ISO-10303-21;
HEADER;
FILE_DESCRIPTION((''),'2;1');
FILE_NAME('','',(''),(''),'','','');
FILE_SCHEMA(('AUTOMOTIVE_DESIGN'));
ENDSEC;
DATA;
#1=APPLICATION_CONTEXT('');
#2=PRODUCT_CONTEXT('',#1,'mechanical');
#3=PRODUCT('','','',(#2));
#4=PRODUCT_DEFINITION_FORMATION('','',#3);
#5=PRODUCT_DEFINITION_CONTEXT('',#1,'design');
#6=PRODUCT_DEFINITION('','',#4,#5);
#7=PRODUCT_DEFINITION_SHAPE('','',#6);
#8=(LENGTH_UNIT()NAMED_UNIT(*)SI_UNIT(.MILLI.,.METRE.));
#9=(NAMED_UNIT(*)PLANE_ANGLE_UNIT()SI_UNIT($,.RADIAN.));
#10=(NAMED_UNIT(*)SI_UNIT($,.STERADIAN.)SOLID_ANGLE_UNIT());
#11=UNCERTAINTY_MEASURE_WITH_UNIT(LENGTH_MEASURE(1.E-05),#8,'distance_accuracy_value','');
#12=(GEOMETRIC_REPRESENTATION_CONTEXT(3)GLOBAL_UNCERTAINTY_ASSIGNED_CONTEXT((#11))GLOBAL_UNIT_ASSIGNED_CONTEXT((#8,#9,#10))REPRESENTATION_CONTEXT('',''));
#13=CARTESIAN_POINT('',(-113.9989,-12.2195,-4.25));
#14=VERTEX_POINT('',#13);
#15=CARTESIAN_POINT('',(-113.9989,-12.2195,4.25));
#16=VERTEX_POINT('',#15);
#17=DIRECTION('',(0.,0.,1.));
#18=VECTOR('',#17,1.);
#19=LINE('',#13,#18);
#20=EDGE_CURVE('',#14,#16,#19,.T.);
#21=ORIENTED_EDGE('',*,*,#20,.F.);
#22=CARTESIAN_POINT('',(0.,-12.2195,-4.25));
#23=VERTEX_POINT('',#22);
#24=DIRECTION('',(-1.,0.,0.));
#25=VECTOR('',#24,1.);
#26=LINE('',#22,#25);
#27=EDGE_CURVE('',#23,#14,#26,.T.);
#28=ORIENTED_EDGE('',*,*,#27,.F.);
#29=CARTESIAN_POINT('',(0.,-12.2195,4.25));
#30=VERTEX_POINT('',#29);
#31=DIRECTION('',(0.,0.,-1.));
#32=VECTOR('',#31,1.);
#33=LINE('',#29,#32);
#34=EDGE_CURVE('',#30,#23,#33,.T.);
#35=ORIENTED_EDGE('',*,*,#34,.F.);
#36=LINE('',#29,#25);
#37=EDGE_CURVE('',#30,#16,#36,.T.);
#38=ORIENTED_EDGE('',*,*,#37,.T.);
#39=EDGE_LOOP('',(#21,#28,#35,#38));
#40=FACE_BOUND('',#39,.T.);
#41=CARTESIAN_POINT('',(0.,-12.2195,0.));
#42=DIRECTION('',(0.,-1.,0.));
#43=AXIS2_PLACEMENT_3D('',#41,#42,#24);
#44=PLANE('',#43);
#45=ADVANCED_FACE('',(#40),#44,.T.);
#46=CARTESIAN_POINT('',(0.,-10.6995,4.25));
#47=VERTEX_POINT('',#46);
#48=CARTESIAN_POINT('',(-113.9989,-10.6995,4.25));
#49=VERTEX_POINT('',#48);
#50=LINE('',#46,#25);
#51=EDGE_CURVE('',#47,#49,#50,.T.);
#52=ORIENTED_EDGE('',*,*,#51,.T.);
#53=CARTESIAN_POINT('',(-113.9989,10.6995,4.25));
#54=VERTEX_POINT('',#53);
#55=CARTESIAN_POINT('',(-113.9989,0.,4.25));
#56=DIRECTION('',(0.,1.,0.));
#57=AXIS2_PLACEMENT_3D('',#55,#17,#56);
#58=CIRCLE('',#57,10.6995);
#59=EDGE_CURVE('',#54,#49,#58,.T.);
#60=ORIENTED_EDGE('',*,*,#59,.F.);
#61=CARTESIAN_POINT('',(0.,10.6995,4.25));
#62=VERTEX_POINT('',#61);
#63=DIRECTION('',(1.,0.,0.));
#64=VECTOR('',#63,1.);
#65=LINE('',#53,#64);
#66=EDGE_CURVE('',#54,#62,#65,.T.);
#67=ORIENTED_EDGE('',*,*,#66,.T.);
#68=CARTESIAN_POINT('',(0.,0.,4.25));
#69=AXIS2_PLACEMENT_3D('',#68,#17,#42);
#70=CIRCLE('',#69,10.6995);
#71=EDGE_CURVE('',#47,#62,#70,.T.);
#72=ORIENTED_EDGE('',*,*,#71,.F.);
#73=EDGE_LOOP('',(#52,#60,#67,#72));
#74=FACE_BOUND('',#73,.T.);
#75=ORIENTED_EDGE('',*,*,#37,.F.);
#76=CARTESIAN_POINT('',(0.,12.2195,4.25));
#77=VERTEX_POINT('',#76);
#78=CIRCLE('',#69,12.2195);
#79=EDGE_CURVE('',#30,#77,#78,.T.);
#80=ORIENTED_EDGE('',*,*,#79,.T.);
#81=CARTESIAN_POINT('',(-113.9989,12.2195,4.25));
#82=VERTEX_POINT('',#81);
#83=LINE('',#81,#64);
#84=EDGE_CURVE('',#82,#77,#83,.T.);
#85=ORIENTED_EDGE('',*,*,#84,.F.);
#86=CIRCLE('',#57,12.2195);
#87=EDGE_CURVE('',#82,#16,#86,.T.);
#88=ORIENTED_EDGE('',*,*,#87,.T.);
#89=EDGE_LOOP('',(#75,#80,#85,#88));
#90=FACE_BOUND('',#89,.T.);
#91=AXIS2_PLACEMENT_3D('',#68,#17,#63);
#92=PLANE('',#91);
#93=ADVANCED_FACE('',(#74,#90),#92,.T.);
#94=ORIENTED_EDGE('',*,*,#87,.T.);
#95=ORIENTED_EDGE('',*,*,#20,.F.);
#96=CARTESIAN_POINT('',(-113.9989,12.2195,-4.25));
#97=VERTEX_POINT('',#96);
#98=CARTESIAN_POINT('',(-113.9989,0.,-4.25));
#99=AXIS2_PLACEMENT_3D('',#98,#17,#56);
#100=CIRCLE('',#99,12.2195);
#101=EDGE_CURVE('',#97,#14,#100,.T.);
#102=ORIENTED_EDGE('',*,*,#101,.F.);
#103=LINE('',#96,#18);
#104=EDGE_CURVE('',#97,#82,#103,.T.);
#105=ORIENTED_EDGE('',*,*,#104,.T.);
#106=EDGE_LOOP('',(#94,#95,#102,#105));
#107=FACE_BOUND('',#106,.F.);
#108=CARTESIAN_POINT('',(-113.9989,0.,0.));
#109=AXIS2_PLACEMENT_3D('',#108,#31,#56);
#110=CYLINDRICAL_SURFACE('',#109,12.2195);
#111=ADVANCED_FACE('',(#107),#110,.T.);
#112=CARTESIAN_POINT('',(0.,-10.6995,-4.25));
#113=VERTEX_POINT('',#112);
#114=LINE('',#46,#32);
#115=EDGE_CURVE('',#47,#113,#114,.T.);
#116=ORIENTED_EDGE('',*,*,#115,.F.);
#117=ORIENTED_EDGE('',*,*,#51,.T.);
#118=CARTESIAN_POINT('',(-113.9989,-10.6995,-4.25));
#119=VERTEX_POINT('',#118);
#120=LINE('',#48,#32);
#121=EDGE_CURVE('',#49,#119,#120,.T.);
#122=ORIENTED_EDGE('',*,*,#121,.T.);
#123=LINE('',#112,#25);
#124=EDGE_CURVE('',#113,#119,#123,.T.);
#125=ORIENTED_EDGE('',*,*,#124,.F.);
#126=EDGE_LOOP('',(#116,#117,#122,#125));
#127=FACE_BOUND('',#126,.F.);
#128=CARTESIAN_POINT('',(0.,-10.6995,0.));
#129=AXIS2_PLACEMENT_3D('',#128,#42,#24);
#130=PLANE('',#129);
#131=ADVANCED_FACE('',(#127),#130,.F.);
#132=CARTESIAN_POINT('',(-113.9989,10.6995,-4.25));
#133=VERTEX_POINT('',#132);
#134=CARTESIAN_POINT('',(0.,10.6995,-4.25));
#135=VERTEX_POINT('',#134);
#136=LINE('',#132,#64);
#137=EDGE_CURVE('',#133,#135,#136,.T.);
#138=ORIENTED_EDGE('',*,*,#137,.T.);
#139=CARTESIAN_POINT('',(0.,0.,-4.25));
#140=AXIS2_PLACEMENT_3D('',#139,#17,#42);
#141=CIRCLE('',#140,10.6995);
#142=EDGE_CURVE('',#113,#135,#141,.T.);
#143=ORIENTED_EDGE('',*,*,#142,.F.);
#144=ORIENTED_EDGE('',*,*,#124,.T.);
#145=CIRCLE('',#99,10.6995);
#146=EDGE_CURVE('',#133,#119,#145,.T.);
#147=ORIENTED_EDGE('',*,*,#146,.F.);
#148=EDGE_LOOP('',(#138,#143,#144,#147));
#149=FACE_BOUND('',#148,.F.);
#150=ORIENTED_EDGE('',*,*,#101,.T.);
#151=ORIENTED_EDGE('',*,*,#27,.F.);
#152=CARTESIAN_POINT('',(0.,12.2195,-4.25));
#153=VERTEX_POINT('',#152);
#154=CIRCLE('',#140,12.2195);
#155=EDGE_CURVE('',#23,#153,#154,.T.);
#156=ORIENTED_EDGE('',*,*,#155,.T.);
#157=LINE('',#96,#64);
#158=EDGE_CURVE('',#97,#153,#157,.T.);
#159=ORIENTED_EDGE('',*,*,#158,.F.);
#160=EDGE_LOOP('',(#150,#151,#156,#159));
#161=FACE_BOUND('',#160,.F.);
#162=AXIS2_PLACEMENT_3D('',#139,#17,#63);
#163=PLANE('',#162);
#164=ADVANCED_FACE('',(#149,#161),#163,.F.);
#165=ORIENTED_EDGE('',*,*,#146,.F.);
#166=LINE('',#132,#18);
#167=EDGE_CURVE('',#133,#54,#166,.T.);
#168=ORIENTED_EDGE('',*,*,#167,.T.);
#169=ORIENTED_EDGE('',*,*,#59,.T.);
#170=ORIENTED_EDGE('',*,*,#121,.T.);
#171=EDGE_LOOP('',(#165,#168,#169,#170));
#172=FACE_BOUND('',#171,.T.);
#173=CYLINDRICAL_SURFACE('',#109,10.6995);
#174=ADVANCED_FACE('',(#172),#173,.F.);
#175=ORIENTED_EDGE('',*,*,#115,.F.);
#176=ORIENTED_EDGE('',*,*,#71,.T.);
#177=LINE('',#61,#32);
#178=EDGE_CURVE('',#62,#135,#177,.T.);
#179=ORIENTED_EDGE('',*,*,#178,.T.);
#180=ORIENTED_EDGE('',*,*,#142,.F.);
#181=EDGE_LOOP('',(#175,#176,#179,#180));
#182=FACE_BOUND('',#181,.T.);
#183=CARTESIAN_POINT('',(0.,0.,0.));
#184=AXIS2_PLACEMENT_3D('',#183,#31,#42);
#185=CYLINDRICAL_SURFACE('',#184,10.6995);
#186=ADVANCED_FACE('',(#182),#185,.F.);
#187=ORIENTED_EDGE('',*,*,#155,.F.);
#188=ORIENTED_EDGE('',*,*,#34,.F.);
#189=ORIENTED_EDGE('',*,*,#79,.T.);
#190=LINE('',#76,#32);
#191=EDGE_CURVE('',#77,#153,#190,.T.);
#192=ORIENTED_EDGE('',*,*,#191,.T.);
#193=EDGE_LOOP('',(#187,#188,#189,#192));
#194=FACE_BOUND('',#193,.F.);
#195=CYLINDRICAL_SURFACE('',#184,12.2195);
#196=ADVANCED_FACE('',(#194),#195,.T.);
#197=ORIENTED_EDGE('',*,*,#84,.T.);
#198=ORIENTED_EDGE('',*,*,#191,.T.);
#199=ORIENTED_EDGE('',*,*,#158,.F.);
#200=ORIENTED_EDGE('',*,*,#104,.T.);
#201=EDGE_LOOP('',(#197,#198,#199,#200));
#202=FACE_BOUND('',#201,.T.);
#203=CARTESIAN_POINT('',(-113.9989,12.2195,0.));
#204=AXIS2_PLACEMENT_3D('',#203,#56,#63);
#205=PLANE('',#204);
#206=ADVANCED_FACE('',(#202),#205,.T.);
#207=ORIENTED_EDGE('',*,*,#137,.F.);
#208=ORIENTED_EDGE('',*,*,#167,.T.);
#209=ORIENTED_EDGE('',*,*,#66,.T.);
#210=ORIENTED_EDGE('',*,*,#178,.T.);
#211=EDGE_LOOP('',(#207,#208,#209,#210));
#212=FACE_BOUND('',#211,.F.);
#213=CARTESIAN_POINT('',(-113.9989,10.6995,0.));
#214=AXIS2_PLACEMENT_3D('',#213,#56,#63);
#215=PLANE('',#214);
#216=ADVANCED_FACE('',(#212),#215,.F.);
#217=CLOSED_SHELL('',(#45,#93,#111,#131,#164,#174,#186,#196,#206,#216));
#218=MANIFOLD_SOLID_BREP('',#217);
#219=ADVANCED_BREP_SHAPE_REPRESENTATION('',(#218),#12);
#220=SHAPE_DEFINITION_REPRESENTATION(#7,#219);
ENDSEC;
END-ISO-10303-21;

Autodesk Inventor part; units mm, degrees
ref_plane "YZ Plane" through (0, 0, 0) normal (1, 0, 0) x (0, 1, 0)
ref_plane "XZ Plane" through (0, 0, 0) normal (0, 1, 0) x (-1, 0, 0)
ref_plane "XY Plane" through (0, 0, 0) normal (0, 0, 1) x (1, 0, 0)
sketch "Sketch1" plane through (0, 0, 0) normal (0, 0, 1) x (1, 0, 0)
  arc A0 (0, -11.4595) -> (0, 11.4595) centre (0, 0) ccw construction
  arc A1 (-113.9989, 11.4595) -> (-113.9989, -11.4595) centre (-113.9989, 0) ccw construction
  line L0 (0, -11.4595) -> (-113.9989, -11.4595) construction
  line L1 (0, 11.4595) -> (-113.9989, 11.4595) construction
  dimension "Belt_Teeth" = 100
  dimension "Belt_Pitch2" = 3
  dimension "d0" = 22.919
  dimension "d1" = 22.919
  dimension "d2" = 36.0011
  dimension "d3" = 36.0011
  dimension "Center_Distance" = 113.9989
  dimension "d5" = 113.9989
sketch "Sketch2" plane through (0, 0, 0) normal (0, 0, 1) x (1, 0, 0)
  line L0 (35.7235, 34.2567) -> (38.7235, 34.2567)
  point P0 (0, 0)
  dimension "Belt_Pitch2" = 3
sketch "Sketch4" plane through (0, 0, 0) normal (0, 0, 1) x (1, 0, 0)
  line L0 (-16.1422, -21.869) -> (-14.1422, -21.869)
  line L1 (-16.1422, -21.869) -> (-16.1422, -20.349)
  arc A0 (-15.5872, -20.904) -> (-16.1422, -20.349) centre (-16.1422, -20.904) ccw
  line L2 (-15.5872, -20.904) -> (-15.5872, -20.959)
  arc A1 (-15.5872, -20.959) -> (-15.4372, -21.109) centre (-15.4372, -20.959) ccw
  line L3 (-15.4372, -21.109) -> (-14.8472, -21.109)
  line L4 (-14.1422, -21.869) -> (-14.1422, -20.349)
  arc A2 (-14.1422, -20.349) -> (-14.6972, -20.904) centre (-14.1422, -20.904) ccw
  arc A3 (-14.8472, -21.109) -> (-14.6972, -20.959) centre (-14.8472, -20.959) ccw
  line L5 (-14.6972, -20.959) -> (-14.6972, -20.904)
  line L6 (0, 11.4595) -> (-113.9989, 11.4595) construction
  arc A4 (-113.9989, 11.4595) -> (-113.9989, -11.4595) centre (-113.9989, 0) ccw construction
  line L7 (0, -11.4595) -> (-113.9989, -11.4595) construction
  arc A5 (0, -11.4595) -> (0, 11.4595) centre (0, 0) ccw construction
  arc A6 (-113.9989, 12.2195) -> (-113.9989, -12.2195) centre (-113.9989, 0) ccw
  line L8 (-113.9989, 12.2195) -> (0, 12.2195)
  arc A7 (0, -12.2195) -> (0, 12.2195) centre (0, 0) ccw
  line L9 (0, -12.2195) -> (-113.9989, -12.2195)
  arc A8 (-113.9989, 10.6995) -> (-113.9989, -10.6995) centre (-113.9989, 0) ccw
  line L10 (-113.9989, 10.6995) -> (0, 10.6995)
  arc A9 (0, -10.6995) -> (0, 10.6995) centre (0, 0) ccw
  line L11 (0, -10.6995) -> (-113.9989, -10.6995)
  point P0 (-15.1422, -21.109)
  point P1 (-15.1422, -21.869)
  dimension "d9" = 2
  dimension "d10" = 1.52
  dimension "d11" = 0.76
  dimension "d12" = 0.555
  dimension "d13" = 0.555
  dimension "d14" = 0.15
  dimension "d15" = 0.15
  dimension "belt_thickness" = 1.52
  dimension "d44" = 0.76
extrude "Extrusion2" add sketch "Sketch4" along normal mid plane 8.5 contours L8 A7 L9 A6
sketch "Sketch5" plane through (0, 0, 4.25) normal (0, 0, 1) x (1, 0, 0)
  line L0 (-113.9989, 10.6995) -> (0, 10.6995) construction
  arc A0 (0, -10.6995) -> (0, 10.6995) centre (0, 0) ccw construction
  line L1 (0, -10.6995) -> (-113.9989, -10.6995) construction
  arc A1 (-113.9989, 10.6995) -> (-113.9989, -10.6995) centre (-113.9989, 0) ccw construction
  arc A2 (-113.9989, 12.2195) -> (-113.9989, -12.2195) centre (-113.9989, 0) ccw construction
  line L2 (-113.9989, -12.2195) -> (0, -12.2195) construction
  arc A3 (0, -12.2195) -> (0, 12.2195) centre (0, 0) ccw construction
  line L3 (0, 12.2195) -> (-113.9989, 12.2195) construction
  line L4 (-7.7556, -2.6989) -> (-5.7556, -2.6989)
  line L5 (-7.7556, -2.6989) -> (-7.7556, -1.1789) construction
  arc A4 (-7.2006, -1.7339) -> (-7.7556, -1.1789) centre (-7.7556, -1.7339) ccw
  line L6 (-7.2006, -1.7339) -> (-7.2006, -1.7889)
  arc A5 (-7.2006, -1.7889) -> (-7.0506, -1.9389) centre (-7.0506, -1.7889) ccw
  line L7 (-7.0506, -1.9389) -> (-6.4606, -1.9389)
  line L8 (-5.7556, -2.6989) -> (-5.7556, -1.1789)
  arc A6 (-5.7556, -1.1789) -> (-6.3106, -1.7339) centre (-5.7556, -1.7339) ccw
  arc A7 (-6.4606, -1.9389) -> (-6.3106, -1.7889) centre (-6.4606, -1.7889) ccw
  line L9 (-6.3106, -1.7889) -> (-6.3106, -1.7339)
  line L10 (-8.3106, -1.7339) -> (-8.3106, -1.7889)
  arc A8 (-7.7556, -1.1789) -> (-8.3106, -1.7339) centre (-7.7556, -1.7339) ccw
  arc A9 (-8.4606, -1.9389) -> (-8.3106, -1.7889) centre (-8.4606, -1.7889) ccw
  line L11 (-8.4606, -1.9389) -> (-9.0506, -1.9389)
  line L12 (-7.7556, -2.6989) -> (-9.7556, -2.6989)
  line L13 (-9.2006, -1.7889) -> (-9.2006, -1.7339)
  arc A10 (-9.2006, -1.7339) -> (-9.7556, -1.1789) centre (-9.7556, -1.7339) ccw
  line L14 (-9.7556, -2.6989) -> (-9.7556, -1.1789)
  arc A11 (-9.2006, -1.7889) -> (-9.0506, -1.9389) centre (-9.0506, -1.7889) ccw
  line L15 (-17.66, -0.8495) -> (-14.922, -0.8495) construction
  line L16 (-14.922, -0.8495) -> (-14.922, -2.3671) construction
  line L17 (-14.922, -2.3671) -> (-17.66, -2.3671) construction
  line L18 (-17.66, -2.3671) -> (-17.66, -0.8495) construction
  arc A12 (-15.6383, -1.7102) -> (-16.7483, -1.7102) centre (-16.1933, -1.7102) ccw construction
  line L19 (-16.7483, -1.7102) -> (-16.7483, -1.7652) construction
  arc A13 (-16.8983, -1.9152) -> (-16.7483, -1.7652) centre (-16.8983, -1.7652) ccw construction
  line L20 (-16.7483, -1.7102) -> (-16.7483, -1.9152) construction
  line L21 (-15.6383, -1.7102) -> (-15.6383, -1.9152) construction
  point P0 (-6.7556, -1.9389)
  point P1 (-6.7556, -2.6989)
  point P2 (-8.7556, -2.6989)
  point P3 (-8.7556, -1.9389)
  dimension "d22" = 2
  dimension "d23" = 1.52
  dimension "d24" = 0.76
  dimension "d25" = 0.555
  dimension "d26" = 0.555
  dimension "d27" = 0.15
  dimension "d28" = 0.15
  dimension "d29" = 0.76
  dimension "d30" = 1
  dimension "d31" = 2
  dimension "d32" = 0.59
  dimension "d34" = 0.555
  dimension "d35" = 0
  dimension "d36" = 0
  dimension "d37" = 0.15
  dimension "d38" = 0.055
  dimension "d39" = 0.055
  dimension "d40" = 0
  dimension "d41" = 0
  dimension "d42" = 0.205
  dimension "d43" = 0.205
equation "\"d13\" = d12"
equation "\"d15\" = d14"
equation "\"d44\" = 0.5 * belt_thickness"
equation "\"d26\" = d25"
equation "\"d28\" = d27"
equation "\"d30\" = 0.5 * d22"
equation "\"d31\" = d22"
equation "\"d43\" = d42"
equation "\"Belt_Teeth\" = 100"
equation "\"Belt_Pitch\" = 3"
equation "\"HTD_5mm\" = 5"
equation "\"GT2_3mm\" = 3"
equation "\"Center_Distance_Copy\" = Center_Distance"
properties part number "GT2-100T" material "Rubber"
